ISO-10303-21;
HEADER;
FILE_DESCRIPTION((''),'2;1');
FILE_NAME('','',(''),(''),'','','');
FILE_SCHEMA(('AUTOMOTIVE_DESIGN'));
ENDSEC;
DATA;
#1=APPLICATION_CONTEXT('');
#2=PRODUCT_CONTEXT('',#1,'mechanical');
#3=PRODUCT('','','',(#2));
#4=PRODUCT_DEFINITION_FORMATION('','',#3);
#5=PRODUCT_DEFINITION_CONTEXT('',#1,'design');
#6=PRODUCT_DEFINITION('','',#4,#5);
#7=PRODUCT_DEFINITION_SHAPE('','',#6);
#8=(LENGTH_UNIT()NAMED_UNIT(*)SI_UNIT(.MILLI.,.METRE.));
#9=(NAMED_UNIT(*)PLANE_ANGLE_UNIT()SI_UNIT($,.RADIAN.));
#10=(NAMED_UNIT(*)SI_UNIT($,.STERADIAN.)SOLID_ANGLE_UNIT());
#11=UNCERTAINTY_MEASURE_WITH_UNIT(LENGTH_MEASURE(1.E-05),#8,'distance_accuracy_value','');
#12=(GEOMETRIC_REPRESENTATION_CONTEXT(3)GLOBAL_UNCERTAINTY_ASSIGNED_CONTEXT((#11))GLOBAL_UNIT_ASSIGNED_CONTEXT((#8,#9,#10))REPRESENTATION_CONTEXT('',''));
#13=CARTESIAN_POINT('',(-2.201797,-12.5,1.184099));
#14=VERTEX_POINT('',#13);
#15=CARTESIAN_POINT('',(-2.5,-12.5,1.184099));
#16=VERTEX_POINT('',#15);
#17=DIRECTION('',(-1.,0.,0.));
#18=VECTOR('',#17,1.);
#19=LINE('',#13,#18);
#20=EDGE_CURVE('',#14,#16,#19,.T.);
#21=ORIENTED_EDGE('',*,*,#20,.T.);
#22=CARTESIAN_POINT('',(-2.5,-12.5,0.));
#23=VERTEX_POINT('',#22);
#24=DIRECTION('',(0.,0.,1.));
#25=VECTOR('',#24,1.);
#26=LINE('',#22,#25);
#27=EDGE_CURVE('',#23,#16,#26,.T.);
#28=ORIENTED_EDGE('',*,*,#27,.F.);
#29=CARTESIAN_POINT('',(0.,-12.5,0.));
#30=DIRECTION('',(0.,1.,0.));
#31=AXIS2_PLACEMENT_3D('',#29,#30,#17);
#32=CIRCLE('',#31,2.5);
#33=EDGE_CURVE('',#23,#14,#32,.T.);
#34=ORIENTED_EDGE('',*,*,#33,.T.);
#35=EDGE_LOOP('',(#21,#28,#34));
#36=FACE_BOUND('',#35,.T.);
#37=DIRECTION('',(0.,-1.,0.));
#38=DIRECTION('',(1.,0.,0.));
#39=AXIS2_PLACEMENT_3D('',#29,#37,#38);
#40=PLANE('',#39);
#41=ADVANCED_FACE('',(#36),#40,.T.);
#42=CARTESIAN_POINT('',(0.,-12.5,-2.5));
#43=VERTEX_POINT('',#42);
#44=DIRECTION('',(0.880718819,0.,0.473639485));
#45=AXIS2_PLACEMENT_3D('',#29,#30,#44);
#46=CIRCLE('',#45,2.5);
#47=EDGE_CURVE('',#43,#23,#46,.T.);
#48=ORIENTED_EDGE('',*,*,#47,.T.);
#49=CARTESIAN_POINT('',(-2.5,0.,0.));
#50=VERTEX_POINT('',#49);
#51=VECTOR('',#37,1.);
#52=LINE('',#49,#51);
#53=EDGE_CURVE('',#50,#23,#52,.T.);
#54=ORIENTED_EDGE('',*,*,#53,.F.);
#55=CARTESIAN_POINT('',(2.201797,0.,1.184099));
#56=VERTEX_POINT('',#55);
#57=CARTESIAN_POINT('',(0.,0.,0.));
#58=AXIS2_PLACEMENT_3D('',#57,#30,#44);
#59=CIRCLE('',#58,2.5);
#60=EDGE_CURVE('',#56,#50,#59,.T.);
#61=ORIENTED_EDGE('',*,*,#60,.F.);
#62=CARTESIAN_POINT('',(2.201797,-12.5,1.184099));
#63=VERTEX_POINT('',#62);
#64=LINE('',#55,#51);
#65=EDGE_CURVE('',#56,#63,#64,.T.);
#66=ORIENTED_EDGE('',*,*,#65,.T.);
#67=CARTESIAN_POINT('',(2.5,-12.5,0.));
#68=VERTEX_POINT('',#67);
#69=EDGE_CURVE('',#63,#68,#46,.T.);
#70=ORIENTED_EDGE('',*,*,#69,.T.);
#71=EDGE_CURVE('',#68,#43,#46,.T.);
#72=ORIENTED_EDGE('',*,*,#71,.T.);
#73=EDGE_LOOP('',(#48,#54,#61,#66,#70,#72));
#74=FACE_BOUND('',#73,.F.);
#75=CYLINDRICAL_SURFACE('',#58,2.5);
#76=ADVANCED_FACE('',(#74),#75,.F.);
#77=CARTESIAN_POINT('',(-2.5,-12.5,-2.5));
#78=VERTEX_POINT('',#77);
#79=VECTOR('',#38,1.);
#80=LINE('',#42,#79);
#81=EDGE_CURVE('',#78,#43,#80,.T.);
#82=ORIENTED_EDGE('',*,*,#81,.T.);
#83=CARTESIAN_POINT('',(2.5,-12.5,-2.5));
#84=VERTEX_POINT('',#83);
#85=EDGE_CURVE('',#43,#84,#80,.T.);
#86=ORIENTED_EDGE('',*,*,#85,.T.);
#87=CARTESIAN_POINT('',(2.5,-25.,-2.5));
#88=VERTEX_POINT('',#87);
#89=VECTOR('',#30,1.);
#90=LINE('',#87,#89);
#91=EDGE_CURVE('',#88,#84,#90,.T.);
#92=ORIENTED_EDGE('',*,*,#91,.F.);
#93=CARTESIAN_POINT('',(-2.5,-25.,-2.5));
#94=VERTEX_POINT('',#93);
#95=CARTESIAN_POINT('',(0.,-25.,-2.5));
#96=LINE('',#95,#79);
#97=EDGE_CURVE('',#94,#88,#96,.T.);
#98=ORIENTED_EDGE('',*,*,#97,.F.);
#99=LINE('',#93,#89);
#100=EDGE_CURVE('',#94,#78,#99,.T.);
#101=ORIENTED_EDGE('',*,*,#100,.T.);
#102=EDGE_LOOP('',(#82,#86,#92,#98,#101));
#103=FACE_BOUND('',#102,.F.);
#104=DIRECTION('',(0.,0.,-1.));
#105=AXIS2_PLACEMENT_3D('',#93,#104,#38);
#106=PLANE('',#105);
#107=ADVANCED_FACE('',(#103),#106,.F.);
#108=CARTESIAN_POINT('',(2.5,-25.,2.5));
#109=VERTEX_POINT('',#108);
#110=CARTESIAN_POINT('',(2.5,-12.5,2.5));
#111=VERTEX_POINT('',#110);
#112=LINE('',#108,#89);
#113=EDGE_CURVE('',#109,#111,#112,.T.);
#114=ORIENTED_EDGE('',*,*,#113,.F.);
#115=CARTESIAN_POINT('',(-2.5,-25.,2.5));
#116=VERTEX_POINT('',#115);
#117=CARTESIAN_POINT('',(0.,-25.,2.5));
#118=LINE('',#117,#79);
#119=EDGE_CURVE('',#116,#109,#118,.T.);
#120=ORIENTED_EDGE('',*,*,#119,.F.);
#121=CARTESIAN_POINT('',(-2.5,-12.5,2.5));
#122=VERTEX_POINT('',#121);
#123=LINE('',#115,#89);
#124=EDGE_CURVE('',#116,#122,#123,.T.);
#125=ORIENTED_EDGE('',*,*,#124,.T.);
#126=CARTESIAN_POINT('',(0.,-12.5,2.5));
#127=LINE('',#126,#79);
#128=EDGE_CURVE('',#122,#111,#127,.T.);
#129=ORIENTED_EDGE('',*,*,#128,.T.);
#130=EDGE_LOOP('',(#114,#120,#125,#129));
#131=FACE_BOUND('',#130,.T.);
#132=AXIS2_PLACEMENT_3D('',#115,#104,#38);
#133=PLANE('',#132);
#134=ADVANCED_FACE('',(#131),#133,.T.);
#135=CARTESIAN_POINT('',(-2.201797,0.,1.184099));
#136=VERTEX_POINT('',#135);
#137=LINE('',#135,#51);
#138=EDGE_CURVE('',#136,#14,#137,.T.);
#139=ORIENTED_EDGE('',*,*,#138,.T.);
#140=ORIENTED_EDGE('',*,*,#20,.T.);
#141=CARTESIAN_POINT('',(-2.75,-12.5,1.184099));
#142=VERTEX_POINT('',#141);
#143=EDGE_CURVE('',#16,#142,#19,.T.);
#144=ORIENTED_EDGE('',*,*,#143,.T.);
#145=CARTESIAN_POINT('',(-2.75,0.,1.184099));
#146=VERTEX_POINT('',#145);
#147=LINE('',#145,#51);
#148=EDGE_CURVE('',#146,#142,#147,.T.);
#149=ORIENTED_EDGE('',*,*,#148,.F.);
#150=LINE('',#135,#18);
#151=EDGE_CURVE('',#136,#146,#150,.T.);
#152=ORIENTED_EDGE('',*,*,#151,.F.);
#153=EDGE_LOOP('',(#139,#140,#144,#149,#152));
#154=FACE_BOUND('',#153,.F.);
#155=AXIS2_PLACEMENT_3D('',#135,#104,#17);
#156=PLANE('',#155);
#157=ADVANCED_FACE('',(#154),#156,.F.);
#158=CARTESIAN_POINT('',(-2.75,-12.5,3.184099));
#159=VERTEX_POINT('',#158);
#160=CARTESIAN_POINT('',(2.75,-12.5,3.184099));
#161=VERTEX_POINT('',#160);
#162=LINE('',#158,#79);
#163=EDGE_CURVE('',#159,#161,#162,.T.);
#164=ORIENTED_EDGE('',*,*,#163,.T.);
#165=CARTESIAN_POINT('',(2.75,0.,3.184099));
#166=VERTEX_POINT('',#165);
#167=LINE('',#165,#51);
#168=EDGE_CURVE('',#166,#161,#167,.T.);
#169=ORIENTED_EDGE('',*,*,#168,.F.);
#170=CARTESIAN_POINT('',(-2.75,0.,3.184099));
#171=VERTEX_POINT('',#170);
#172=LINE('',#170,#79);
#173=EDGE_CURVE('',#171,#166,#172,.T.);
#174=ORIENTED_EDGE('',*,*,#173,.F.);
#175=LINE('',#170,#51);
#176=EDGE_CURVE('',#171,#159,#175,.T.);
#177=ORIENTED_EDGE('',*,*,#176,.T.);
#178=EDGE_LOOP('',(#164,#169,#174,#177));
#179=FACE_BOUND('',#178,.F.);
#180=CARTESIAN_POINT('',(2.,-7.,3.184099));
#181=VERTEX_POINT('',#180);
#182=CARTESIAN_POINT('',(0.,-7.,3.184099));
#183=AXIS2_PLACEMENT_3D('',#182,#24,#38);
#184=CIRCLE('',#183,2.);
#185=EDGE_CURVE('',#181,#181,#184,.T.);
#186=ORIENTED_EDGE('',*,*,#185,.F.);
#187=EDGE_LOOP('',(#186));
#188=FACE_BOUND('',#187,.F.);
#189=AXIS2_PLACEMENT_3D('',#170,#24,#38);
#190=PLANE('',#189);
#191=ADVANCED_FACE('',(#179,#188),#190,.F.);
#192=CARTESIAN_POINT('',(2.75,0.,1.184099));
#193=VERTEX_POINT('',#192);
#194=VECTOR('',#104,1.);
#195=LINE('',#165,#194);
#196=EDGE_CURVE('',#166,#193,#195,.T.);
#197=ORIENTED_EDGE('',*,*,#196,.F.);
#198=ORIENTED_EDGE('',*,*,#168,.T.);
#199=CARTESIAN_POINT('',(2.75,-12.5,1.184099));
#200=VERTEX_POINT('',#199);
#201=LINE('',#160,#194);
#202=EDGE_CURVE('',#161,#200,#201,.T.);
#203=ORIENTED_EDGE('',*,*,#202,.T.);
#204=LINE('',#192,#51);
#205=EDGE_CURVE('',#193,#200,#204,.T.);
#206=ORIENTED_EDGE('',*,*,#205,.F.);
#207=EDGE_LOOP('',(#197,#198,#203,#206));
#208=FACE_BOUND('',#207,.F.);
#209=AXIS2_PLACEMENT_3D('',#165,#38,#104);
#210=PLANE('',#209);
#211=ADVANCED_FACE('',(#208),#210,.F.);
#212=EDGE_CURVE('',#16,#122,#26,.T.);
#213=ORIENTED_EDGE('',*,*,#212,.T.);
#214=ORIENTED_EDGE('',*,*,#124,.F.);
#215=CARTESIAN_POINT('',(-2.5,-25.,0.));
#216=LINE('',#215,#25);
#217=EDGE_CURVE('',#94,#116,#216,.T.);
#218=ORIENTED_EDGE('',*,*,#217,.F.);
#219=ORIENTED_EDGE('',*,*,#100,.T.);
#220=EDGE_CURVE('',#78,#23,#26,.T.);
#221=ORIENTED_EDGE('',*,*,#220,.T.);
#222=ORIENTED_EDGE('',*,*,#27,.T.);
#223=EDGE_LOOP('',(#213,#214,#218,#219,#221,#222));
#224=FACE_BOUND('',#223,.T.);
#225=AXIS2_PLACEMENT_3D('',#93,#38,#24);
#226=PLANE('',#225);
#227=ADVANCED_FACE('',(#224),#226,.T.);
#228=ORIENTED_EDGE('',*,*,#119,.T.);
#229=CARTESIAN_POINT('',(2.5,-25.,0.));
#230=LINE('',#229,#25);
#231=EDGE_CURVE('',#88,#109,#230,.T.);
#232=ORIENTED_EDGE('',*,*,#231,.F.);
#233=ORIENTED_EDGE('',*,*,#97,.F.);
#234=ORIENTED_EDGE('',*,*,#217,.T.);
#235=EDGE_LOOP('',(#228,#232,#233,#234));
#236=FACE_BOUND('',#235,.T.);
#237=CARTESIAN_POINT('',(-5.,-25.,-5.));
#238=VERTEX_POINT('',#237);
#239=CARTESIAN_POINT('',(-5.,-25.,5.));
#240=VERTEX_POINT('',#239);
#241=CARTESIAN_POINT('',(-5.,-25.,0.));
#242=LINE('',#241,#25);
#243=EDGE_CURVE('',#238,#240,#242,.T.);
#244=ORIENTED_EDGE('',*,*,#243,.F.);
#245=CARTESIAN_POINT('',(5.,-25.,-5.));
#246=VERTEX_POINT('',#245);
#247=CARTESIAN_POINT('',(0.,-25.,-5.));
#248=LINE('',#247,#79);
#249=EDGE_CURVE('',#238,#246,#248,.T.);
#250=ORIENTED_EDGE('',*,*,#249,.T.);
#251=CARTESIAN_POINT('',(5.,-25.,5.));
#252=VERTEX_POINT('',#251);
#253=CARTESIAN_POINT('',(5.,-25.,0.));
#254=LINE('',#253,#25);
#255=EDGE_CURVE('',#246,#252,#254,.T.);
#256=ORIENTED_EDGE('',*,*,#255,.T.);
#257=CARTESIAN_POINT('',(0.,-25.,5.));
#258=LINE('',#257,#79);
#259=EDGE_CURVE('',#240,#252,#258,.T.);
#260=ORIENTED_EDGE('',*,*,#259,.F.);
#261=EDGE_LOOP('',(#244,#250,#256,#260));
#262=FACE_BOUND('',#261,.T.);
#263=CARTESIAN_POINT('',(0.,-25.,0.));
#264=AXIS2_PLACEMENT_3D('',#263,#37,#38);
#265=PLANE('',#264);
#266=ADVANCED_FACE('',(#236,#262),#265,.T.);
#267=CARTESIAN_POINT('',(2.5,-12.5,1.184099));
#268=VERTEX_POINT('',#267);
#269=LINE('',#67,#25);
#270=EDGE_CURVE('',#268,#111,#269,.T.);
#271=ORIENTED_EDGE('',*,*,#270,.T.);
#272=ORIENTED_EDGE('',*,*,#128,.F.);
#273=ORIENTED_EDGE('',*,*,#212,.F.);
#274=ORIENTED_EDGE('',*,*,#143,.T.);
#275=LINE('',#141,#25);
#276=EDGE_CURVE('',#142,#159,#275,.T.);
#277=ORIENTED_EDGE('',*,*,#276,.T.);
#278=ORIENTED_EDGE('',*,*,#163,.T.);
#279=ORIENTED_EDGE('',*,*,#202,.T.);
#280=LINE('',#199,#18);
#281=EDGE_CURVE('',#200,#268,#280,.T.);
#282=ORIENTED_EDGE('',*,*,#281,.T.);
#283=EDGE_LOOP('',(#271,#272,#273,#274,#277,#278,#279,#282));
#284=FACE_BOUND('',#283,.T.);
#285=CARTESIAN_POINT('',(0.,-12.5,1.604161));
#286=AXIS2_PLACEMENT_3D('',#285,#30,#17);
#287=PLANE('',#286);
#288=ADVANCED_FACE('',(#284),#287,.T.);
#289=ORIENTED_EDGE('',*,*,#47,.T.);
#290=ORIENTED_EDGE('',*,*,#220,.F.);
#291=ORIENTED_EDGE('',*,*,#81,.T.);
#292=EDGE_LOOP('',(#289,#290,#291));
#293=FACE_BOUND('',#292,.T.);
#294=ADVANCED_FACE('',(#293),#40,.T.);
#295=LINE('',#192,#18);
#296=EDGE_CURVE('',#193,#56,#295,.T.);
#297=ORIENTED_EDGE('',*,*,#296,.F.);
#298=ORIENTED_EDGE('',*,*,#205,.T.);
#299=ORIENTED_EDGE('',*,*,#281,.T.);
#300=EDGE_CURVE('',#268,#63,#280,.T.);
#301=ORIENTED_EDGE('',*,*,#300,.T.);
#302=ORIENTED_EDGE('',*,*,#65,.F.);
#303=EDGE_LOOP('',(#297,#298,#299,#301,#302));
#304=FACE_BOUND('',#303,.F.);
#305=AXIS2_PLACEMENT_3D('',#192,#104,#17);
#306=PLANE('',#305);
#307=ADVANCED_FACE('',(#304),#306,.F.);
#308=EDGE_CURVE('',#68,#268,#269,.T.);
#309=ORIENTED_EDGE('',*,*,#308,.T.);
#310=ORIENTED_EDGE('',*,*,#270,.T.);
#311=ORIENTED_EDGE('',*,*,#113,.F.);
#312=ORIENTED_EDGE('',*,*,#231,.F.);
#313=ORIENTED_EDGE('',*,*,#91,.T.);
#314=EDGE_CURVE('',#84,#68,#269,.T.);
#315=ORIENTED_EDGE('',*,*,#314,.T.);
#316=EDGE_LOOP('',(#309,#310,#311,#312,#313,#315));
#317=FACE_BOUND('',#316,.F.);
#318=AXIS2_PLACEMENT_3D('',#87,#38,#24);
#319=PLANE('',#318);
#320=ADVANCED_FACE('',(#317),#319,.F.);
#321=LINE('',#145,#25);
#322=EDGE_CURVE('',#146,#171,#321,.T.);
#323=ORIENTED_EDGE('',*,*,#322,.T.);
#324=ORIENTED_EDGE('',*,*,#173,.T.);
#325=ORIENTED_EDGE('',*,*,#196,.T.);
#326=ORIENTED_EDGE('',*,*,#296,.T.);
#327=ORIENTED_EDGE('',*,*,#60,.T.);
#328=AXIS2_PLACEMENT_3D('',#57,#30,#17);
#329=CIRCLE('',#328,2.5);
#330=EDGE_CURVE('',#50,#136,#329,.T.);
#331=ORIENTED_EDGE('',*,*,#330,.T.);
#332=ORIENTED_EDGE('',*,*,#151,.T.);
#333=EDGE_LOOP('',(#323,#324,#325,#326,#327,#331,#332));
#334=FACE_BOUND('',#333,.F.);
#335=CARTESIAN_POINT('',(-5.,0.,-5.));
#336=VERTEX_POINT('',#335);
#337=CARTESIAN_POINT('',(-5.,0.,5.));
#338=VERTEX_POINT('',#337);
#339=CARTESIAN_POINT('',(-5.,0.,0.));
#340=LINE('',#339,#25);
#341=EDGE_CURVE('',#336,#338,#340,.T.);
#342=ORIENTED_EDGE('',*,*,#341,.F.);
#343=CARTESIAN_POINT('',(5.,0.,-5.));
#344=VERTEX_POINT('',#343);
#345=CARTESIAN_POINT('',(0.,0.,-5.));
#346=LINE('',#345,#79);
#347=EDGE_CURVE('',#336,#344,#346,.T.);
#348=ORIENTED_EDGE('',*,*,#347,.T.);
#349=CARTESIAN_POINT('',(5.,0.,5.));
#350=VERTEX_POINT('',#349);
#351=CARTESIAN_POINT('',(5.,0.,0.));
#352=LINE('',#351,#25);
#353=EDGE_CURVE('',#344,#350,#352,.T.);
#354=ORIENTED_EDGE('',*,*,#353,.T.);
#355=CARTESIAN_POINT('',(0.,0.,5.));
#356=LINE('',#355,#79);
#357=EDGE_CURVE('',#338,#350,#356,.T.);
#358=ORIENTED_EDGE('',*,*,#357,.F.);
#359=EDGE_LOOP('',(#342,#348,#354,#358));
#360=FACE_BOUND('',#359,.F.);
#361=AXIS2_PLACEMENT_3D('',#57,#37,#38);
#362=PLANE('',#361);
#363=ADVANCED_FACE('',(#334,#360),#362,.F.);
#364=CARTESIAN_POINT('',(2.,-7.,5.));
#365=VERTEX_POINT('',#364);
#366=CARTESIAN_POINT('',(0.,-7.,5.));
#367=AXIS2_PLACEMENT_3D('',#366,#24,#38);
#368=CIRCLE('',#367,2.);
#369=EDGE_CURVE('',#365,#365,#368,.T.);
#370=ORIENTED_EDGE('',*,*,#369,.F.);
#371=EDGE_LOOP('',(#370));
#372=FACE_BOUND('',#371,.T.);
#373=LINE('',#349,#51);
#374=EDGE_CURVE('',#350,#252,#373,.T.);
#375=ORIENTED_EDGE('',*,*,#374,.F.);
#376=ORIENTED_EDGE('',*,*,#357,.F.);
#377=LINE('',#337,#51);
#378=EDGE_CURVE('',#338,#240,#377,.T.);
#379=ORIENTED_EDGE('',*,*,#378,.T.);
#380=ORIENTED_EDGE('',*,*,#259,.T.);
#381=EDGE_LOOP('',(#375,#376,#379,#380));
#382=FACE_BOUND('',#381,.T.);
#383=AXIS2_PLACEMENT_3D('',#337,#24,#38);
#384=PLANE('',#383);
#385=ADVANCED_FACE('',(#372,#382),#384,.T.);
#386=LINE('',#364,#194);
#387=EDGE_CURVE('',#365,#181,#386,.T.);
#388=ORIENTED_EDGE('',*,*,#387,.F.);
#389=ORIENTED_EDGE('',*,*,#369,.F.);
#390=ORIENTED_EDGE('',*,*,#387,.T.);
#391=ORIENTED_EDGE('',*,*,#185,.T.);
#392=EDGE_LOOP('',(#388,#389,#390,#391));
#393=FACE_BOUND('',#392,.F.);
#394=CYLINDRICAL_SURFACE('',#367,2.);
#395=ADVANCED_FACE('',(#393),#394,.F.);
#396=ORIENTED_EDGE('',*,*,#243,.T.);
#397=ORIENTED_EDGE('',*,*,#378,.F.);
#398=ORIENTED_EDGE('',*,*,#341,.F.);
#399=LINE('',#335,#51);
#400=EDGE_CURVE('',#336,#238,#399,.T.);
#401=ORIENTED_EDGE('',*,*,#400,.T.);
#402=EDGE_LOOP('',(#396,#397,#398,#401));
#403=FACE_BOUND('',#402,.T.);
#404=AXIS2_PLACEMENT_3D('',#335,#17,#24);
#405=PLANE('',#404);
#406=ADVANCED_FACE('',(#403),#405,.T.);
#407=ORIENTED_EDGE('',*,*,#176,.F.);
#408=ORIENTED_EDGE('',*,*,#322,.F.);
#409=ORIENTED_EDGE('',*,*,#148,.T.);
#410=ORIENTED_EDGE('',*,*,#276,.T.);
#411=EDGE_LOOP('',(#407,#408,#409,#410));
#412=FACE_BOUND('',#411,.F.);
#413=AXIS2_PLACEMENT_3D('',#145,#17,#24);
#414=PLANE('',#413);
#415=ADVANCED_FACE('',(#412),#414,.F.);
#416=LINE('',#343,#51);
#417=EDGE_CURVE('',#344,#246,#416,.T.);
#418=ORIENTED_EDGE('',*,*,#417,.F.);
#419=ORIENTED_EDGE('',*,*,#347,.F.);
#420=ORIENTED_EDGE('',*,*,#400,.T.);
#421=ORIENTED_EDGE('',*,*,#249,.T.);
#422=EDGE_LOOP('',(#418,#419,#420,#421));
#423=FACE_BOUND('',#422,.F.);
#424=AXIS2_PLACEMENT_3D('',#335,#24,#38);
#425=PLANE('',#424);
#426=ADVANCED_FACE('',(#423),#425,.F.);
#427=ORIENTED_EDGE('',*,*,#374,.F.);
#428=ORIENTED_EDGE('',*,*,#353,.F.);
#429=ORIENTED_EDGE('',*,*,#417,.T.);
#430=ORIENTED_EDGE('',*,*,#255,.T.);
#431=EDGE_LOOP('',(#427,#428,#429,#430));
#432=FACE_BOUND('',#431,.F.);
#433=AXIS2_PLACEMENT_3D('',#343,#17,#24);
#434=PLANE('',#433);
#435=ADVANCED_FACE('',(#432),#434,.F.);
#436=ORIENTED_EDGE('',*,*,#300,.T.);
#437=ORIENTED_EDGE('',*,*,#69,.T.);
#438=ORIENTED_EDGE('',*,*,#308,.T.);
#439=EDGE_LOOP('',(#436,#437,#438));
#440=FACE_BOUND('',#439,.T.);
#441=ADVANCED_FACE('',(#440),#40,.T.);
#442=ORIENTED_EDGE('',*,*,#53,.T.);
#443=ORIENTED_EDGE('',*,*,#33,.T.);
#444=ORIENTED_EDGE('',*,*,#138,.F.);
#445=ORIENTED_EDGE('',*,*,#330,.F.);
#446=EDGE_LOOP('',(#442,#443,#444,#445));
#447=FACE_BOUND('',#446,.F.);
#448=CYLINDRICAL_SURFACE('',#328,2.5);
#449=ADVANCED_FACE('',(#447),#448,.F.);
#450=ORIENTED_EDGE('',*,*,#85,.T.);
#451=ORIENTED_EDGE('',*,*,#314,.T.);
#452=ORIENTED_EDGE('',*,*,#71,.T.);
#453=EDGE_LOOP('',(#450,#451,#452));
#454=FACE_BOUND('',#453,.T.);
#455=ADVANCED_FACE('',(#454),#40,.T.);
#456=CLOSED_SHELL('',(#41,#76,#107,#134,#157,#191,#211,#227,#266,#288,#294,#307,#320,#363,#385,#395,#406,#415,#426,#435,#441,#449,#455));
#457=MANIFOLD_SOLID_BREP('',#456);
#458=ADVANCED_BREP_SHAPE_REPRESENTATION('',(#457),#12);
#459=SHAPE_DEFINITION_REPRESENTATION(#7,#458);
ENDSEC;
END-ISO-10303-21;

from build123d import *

# Parameters (mm, degrees)
F0_W     = 10
F0_H     = 10
F1_DEPTH = 25
F2_W     = 5
F2_H     = 5
F3_DEPTH = 12.5
F5_DEPTH = 12.5
F6_R     = 2
F7_DEPTH = 5


with BuildPart() as f1:
    # F0 (on Front) → F1 (new body)
    with BuildSketch(Plane.XZ):
        Rectangle(F0_W, F0_H)
    extrude(amount=F1_DEPTH)

    # F2 (on face) → F3 (cut)
    with BuildSketch(Plane.XZ.offset(25)):
        Rectangle(F2_W, F2_H)
    extrude(amount=-F3_DEPTH, mode=Mode.SUBTRACT)

    # F4 (on face) → F5 (cut)
    with BuildSketch(Plane(origin=(0, 0, 0), x_dir=(-1, 0, 0), z_dir=(0, 1, 0))):
        with BuildLine():
            Line((-2.2017970471, 1.1840987136), (2.2017970471, 1.1840987136))
            ThreePointArc((2.2017970471, 1.1840987136), (0, 2.5), (-2.2017970471, 1.1840987136))
        make_face()
        with BuildLine():
            ThreePointArc((-2.2017970471, 1.1840987136), (-0.6105355773, -2.4243032626), (2.5, 0))
            ThreePointArc((2.5, 0), (2.4243032626, 0.6105355773), (2.2017970471, 1.1840987136))
            Line((2.2017970471, 1.1840987136), (-2.2017970471, 1.1840987136))
        make_face()
        with BuildLine():
            ThreePointArc((-2.2017970471, 1.1840987136), (0, 2.5), (2.2017970471, 1.1840987136))
            Line((2.2017970471, 1.1840987136), (2.75, 1.1840987136))
            Line((2.75, 1.1840987136), (2.75, 3.1840987136))
            Line((2.75, 3.1840987136), (-2.75, 3.1840987136))
            Line((-2.75, 3.1840987136), (-2.75, 1.1840987136))
            Line((-2.75, 1.1840987136), (-2.2017970471, 1.1840987136))
        make_face()
    extrude(amount=-F5_DEPTH, mode=Mode.SUBTRACT)

    # F6 (on face) → F7 (cut)
    with BuildSketch(Plane.XY.offset(5)):
        with Locations((0, -7)):
            Circle(F6_R)
    extrude(amount=-F7_DEPTH, mode=Mode.SUBTRACT)


solid = f1.part
